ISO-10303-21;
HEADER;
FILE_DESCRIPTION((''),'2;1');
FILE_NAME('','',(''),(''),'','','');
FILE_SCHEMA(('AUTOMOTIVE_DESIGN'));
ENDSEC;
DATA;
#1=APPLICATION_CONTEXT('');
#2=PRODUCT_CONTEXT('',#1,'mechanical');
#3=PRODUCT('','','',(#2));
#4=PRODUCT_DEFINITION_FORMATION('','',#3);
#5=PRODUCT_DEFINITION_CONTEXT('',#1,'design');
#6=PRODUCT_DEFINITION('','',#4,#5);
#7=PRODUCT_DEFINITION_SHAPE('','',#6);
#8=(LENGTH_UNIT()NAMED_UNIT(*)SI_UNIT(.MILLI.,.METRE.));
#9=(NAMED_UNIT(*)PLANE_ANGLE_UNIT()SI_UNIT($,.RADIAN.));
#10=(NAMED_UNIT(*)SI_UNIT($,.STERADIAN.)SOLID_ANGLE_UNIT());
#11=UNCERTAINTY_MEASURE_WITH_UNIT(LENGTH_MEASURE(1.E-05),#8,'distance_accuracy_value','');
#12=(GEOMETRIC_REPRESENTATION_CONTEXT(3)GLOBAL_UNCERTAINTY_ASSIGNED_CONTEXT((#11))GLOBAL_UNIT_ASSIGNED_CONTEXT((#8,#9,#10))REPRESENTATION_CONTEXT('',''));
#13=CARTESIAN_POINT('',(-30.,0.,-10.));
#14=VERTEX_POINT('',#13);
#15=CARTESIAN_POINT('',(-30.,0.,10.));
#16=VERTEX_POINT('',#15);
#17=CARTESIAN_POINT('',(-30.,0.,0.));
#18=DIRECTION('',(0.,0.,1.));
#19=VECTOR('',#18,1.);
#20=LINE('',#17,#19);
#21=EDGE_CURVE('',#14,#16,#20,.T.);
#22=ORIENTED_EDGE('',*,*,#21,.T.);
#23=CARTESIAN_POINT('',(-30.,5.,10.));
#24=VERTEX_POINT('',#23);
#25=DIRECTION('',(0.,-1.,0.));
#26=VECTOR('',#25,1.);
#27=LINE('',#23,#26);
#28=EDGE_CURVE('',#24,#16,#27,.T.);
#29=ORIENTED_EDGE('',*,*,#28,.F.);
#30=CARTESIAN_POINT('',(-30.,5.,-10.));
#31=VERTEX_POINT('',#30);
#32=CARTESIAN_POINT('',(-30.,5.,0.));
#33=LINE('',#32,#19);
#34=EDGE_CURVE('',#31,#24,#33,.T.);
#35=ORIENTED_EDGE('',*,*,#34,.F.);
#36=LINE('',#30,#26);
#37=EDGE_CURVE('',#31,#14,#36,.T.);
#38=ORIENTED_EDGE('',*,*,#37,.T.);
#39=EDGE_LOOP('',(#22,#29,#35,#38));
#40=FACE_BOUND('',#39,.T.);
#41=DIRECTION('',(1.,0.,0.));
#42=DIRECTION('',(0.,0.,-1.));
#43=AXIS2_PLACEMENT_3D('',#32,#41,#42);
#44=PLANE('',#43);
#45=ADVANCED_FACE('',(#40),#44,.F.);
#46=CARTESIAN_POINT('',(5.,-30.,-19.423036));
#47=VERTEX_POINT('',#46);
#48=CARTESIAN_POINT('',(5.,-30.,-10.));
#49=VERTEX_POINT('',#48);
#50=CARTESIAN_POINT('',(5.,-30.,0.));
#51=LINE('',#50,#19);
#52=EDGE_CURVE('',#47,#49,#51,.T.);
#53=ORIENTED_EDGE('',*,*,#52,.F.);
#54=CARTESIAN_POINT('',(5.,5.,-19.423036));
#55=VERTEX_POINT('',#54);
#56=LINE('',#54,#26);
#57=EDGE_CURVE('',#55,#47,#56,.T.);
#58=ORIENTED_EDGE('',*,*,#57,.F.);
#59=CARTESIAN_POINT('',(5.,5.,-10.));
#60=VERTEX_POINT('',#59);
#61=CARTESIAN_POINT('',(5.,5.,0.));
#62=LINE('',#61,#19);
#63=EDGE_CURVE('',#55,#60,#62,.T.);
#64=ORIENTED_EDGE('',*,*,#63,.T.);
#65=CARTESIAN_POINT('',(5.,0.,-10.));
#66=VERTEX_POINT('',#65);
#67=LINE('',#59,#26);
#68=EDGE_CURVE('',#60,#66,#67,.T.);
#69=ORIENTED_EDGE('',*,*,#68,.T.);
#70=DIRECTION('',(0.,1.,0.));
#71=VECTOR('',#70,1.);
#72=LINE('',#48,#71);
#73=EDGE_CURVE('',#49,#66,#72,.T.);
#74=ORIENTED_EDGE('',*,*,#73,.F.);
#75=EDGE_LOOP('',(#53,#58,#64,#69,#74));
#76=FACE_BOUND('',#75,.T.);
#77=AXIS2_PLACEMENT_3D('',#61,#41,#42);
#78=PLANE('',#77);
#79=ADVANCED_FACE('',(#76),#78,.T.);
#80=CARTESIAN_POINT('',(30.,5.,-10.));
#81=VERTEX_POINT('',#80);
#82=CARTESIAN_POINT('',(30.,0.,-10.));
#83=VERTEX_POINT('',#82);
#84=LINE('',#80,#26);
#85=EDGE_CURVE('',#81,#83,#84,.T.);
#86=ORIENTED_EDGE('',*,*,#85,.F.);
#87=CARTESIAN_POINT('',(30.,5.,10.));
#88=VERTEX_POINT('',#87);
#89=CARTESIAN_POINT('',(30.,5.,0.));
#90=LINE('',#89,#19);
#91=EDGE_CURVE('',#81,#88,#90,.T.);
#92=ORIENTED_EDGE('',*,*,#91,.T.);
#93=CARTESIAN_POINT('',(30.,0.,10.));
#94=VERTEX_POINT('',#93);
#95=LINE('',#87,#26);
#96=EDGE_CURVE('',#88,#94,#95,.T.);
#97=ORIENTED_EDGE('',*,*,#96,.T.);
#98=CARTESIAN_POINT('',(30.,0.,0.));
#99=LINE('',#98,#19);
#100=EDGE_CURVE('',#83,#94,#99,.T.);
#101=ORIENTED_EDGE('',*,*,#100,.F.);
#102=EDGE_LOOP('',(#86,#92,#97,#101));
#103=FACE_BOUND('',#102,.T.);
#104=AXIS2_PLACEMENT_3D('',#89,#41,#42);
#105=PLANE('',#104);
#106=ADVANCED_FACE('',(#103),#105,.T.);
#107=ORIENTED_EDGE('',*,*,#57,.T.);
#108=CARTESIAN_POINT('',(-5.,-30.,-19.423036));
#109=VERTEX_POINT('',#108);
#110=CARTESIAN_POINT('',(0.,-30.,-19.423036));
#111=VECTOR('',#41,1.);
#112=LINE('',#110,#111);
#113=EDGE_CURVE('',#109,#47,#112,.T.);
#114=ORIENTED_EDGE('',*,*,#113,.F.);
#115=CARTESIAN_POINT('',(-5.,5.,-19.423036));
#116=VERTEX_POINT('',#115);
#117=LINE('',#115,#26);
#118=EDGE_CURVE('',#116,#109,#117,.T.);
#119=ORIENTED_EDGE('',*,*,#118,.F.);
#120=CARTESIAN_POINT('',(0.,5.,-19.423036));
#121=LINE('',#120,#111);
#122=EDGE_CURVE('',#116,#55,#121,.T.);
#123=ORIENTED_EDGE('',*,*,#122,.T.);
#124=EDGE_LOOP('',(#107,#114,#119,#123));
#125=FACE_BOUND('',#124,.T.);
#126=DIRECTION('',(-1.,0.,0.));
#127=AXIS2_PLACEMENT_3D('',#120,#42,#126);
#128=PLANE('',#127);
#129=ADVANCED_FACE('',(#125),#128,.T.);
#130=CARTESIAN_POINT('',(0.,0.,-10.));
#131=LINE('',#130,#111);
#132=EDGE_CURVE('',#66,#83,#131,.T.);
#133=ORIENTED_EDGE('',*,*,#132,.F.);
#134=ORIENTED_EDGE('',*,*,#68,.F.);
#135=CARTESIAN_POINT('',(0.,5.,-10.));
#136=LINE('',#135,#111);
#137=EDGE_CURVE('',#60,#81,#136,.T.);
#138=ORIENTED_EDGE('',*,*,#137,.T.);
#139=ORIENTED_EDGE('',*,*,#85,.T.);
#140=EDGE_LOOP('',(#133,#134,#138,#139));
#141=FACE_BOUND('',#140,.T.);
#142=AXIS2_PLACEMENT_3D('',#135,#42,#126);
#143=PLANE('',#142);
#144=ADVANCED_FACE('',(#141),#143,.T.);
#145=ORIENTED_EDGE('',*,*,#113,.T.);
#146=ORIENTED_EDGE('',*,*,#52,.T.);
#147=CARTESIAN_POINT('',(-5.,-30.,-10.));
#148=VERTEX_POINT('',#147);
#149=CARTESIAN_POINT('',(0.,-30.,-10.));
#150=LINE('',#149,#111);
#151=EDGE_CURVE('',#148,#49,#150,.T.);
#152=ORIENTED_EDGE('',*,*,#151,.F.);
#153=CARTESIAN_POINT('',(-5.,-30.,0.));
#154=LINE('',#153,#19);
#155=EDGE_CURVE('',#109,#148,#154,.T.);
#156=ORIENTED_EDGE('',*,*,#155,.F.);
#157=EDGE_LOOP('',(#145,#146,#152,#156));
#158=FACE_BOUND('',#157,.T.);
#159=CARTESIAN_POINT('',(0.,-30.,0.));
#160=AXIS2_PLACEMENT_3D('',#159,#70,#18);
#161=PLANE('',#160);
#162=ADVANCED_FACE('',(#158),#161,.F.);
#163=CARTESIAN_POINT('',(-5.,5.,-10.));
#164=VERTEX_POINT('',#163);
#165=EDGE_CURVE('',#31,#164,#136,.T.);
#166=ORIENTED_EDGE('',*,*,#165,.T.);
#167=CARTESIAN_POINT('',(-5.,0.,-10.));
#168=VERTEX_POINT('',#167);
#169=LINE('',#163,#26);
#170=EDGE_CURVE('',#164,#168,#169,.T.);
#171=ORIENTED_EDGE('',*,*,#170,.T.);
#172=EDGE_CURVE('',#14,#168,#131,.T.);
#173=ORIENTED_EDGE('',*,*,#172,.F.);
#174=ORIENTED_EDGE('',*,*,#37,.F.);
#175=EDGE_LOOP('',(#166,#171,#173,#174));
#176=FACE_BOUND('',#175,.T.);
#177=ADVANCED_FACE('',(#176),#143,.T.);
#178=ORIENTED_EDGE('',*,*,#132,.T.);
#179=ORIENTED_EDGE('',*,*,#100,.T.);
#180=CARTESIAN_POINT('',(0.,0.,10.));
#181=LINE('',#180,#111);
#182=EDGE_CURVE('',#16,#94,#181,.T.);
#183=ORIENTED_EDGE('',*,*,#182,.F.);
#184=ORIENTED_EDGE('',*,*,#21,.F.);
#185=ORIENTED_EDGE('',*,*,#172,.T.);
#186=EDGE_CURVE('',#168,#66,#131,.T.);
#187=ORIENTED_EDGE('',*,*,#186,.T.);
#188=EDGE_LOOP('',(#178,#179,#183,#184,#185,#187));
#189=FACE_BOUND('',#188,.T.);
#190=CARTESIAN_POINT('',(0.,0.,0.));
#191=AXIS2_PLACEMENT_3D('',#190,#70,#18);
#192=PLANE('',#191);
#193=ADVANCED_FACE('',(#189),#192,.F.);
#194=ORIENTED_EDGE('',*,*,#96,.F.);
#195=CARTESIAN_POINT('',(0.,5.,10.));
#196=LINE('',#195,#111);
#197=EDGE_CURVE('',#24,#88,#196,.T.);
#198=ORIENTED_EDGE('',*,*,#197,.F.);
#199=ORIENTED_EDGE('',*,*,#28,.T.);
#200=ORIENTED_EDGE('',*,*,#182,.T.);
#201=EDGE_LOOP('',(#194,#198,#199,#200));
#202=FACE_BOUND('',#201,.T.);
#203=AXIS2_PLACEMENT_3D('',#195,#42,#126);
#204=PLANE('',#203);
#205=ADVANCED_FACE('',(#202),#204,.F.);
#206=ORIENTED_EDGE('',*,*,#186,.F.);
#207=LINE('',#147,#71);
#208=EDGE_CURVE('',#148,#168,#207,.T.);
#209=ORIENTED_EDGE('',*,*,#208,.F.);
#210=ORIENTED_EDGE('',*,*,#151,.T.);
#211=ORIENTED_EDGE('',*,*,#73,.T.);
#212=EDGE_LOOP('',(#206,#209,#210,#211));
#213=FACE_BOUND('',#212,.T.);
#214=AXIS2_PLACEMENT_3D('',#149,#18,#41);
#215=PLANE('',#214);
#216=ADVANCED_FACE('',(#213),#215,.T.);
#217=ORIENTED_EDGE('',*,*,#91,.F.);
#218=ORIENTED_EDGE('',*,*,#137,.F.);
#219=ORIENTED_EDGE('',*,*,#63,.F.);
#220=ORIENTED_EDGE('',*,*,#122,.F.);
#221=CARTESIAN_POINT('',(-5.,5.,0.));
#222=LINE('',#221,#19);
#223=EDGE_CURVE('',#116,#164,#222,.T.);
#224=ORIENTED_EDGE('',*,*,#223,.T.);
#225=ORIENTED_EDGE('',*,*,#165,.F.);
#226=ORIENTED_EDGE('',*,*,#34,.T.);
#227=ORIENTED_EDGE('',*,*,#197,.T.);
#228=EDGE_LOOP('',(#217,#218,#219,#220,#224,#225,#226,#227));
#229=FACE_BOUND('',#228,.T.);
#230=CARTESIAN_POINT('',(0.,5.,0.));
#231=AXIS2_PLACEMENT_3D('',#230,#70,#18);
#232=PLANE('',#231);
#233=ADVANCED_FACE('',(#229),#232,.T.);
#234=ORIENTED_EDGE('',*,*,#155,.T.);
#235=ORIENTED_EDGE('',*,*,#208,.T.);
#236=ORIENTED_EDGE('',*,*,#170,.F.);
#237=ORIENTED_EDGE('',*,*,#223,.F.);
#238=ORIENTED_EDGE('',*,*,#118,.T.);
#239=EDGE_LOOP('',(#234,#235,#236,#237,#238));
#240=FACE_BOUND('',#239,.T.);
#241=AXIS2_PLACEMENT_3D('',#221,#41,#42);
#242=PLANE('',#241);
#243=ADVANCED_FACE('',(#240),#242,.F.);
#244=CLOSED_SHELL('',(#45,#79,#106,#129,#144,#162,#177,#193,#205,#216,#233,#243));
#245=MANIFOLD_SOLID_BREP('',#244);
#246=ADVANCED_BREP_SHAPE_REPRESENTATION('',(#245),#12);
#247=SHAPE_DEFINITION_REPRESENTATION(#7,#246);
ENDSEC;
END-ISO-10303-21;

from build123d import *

# Parameters (mm, degrees)
BOSS_EXTRUDE1_DEPTH = 5
BOSS_EXTRUDE2_DEPTH = 30


with BuildPart() as part:
    # Sketch2 → Boss-Extrude1 (new body)
    with BuildSketch(Plane(origin=(0, 0, 0), x_dir=(1, 0, 0), z_dir=(0, 1, 0))):
        Polygon((-5, 10), (-30, 10), (-30, -10), (30, -10), (30, 10), (5, 10), (5, 19.423036009), (-5, 19.423036009), align=None)
    extrude(amount=BOSS_EXTRUDE1_DEPTH)

    # Sketch2<3> → Boss-Extrude2 (add)
    with BuildSketch(Plane(origin=(0, 0, 0), x_dir=(1, 0, 0), z_dir=(0, 1, 0))):
        Polygon((-5, 19.423036009), (-5, 10), (0, 10), (5, 10), (5, 19.423036009), align=None)
    extrude(amount=-BOSS_EXTRUDE2_DEPTH)


solid = part.part
